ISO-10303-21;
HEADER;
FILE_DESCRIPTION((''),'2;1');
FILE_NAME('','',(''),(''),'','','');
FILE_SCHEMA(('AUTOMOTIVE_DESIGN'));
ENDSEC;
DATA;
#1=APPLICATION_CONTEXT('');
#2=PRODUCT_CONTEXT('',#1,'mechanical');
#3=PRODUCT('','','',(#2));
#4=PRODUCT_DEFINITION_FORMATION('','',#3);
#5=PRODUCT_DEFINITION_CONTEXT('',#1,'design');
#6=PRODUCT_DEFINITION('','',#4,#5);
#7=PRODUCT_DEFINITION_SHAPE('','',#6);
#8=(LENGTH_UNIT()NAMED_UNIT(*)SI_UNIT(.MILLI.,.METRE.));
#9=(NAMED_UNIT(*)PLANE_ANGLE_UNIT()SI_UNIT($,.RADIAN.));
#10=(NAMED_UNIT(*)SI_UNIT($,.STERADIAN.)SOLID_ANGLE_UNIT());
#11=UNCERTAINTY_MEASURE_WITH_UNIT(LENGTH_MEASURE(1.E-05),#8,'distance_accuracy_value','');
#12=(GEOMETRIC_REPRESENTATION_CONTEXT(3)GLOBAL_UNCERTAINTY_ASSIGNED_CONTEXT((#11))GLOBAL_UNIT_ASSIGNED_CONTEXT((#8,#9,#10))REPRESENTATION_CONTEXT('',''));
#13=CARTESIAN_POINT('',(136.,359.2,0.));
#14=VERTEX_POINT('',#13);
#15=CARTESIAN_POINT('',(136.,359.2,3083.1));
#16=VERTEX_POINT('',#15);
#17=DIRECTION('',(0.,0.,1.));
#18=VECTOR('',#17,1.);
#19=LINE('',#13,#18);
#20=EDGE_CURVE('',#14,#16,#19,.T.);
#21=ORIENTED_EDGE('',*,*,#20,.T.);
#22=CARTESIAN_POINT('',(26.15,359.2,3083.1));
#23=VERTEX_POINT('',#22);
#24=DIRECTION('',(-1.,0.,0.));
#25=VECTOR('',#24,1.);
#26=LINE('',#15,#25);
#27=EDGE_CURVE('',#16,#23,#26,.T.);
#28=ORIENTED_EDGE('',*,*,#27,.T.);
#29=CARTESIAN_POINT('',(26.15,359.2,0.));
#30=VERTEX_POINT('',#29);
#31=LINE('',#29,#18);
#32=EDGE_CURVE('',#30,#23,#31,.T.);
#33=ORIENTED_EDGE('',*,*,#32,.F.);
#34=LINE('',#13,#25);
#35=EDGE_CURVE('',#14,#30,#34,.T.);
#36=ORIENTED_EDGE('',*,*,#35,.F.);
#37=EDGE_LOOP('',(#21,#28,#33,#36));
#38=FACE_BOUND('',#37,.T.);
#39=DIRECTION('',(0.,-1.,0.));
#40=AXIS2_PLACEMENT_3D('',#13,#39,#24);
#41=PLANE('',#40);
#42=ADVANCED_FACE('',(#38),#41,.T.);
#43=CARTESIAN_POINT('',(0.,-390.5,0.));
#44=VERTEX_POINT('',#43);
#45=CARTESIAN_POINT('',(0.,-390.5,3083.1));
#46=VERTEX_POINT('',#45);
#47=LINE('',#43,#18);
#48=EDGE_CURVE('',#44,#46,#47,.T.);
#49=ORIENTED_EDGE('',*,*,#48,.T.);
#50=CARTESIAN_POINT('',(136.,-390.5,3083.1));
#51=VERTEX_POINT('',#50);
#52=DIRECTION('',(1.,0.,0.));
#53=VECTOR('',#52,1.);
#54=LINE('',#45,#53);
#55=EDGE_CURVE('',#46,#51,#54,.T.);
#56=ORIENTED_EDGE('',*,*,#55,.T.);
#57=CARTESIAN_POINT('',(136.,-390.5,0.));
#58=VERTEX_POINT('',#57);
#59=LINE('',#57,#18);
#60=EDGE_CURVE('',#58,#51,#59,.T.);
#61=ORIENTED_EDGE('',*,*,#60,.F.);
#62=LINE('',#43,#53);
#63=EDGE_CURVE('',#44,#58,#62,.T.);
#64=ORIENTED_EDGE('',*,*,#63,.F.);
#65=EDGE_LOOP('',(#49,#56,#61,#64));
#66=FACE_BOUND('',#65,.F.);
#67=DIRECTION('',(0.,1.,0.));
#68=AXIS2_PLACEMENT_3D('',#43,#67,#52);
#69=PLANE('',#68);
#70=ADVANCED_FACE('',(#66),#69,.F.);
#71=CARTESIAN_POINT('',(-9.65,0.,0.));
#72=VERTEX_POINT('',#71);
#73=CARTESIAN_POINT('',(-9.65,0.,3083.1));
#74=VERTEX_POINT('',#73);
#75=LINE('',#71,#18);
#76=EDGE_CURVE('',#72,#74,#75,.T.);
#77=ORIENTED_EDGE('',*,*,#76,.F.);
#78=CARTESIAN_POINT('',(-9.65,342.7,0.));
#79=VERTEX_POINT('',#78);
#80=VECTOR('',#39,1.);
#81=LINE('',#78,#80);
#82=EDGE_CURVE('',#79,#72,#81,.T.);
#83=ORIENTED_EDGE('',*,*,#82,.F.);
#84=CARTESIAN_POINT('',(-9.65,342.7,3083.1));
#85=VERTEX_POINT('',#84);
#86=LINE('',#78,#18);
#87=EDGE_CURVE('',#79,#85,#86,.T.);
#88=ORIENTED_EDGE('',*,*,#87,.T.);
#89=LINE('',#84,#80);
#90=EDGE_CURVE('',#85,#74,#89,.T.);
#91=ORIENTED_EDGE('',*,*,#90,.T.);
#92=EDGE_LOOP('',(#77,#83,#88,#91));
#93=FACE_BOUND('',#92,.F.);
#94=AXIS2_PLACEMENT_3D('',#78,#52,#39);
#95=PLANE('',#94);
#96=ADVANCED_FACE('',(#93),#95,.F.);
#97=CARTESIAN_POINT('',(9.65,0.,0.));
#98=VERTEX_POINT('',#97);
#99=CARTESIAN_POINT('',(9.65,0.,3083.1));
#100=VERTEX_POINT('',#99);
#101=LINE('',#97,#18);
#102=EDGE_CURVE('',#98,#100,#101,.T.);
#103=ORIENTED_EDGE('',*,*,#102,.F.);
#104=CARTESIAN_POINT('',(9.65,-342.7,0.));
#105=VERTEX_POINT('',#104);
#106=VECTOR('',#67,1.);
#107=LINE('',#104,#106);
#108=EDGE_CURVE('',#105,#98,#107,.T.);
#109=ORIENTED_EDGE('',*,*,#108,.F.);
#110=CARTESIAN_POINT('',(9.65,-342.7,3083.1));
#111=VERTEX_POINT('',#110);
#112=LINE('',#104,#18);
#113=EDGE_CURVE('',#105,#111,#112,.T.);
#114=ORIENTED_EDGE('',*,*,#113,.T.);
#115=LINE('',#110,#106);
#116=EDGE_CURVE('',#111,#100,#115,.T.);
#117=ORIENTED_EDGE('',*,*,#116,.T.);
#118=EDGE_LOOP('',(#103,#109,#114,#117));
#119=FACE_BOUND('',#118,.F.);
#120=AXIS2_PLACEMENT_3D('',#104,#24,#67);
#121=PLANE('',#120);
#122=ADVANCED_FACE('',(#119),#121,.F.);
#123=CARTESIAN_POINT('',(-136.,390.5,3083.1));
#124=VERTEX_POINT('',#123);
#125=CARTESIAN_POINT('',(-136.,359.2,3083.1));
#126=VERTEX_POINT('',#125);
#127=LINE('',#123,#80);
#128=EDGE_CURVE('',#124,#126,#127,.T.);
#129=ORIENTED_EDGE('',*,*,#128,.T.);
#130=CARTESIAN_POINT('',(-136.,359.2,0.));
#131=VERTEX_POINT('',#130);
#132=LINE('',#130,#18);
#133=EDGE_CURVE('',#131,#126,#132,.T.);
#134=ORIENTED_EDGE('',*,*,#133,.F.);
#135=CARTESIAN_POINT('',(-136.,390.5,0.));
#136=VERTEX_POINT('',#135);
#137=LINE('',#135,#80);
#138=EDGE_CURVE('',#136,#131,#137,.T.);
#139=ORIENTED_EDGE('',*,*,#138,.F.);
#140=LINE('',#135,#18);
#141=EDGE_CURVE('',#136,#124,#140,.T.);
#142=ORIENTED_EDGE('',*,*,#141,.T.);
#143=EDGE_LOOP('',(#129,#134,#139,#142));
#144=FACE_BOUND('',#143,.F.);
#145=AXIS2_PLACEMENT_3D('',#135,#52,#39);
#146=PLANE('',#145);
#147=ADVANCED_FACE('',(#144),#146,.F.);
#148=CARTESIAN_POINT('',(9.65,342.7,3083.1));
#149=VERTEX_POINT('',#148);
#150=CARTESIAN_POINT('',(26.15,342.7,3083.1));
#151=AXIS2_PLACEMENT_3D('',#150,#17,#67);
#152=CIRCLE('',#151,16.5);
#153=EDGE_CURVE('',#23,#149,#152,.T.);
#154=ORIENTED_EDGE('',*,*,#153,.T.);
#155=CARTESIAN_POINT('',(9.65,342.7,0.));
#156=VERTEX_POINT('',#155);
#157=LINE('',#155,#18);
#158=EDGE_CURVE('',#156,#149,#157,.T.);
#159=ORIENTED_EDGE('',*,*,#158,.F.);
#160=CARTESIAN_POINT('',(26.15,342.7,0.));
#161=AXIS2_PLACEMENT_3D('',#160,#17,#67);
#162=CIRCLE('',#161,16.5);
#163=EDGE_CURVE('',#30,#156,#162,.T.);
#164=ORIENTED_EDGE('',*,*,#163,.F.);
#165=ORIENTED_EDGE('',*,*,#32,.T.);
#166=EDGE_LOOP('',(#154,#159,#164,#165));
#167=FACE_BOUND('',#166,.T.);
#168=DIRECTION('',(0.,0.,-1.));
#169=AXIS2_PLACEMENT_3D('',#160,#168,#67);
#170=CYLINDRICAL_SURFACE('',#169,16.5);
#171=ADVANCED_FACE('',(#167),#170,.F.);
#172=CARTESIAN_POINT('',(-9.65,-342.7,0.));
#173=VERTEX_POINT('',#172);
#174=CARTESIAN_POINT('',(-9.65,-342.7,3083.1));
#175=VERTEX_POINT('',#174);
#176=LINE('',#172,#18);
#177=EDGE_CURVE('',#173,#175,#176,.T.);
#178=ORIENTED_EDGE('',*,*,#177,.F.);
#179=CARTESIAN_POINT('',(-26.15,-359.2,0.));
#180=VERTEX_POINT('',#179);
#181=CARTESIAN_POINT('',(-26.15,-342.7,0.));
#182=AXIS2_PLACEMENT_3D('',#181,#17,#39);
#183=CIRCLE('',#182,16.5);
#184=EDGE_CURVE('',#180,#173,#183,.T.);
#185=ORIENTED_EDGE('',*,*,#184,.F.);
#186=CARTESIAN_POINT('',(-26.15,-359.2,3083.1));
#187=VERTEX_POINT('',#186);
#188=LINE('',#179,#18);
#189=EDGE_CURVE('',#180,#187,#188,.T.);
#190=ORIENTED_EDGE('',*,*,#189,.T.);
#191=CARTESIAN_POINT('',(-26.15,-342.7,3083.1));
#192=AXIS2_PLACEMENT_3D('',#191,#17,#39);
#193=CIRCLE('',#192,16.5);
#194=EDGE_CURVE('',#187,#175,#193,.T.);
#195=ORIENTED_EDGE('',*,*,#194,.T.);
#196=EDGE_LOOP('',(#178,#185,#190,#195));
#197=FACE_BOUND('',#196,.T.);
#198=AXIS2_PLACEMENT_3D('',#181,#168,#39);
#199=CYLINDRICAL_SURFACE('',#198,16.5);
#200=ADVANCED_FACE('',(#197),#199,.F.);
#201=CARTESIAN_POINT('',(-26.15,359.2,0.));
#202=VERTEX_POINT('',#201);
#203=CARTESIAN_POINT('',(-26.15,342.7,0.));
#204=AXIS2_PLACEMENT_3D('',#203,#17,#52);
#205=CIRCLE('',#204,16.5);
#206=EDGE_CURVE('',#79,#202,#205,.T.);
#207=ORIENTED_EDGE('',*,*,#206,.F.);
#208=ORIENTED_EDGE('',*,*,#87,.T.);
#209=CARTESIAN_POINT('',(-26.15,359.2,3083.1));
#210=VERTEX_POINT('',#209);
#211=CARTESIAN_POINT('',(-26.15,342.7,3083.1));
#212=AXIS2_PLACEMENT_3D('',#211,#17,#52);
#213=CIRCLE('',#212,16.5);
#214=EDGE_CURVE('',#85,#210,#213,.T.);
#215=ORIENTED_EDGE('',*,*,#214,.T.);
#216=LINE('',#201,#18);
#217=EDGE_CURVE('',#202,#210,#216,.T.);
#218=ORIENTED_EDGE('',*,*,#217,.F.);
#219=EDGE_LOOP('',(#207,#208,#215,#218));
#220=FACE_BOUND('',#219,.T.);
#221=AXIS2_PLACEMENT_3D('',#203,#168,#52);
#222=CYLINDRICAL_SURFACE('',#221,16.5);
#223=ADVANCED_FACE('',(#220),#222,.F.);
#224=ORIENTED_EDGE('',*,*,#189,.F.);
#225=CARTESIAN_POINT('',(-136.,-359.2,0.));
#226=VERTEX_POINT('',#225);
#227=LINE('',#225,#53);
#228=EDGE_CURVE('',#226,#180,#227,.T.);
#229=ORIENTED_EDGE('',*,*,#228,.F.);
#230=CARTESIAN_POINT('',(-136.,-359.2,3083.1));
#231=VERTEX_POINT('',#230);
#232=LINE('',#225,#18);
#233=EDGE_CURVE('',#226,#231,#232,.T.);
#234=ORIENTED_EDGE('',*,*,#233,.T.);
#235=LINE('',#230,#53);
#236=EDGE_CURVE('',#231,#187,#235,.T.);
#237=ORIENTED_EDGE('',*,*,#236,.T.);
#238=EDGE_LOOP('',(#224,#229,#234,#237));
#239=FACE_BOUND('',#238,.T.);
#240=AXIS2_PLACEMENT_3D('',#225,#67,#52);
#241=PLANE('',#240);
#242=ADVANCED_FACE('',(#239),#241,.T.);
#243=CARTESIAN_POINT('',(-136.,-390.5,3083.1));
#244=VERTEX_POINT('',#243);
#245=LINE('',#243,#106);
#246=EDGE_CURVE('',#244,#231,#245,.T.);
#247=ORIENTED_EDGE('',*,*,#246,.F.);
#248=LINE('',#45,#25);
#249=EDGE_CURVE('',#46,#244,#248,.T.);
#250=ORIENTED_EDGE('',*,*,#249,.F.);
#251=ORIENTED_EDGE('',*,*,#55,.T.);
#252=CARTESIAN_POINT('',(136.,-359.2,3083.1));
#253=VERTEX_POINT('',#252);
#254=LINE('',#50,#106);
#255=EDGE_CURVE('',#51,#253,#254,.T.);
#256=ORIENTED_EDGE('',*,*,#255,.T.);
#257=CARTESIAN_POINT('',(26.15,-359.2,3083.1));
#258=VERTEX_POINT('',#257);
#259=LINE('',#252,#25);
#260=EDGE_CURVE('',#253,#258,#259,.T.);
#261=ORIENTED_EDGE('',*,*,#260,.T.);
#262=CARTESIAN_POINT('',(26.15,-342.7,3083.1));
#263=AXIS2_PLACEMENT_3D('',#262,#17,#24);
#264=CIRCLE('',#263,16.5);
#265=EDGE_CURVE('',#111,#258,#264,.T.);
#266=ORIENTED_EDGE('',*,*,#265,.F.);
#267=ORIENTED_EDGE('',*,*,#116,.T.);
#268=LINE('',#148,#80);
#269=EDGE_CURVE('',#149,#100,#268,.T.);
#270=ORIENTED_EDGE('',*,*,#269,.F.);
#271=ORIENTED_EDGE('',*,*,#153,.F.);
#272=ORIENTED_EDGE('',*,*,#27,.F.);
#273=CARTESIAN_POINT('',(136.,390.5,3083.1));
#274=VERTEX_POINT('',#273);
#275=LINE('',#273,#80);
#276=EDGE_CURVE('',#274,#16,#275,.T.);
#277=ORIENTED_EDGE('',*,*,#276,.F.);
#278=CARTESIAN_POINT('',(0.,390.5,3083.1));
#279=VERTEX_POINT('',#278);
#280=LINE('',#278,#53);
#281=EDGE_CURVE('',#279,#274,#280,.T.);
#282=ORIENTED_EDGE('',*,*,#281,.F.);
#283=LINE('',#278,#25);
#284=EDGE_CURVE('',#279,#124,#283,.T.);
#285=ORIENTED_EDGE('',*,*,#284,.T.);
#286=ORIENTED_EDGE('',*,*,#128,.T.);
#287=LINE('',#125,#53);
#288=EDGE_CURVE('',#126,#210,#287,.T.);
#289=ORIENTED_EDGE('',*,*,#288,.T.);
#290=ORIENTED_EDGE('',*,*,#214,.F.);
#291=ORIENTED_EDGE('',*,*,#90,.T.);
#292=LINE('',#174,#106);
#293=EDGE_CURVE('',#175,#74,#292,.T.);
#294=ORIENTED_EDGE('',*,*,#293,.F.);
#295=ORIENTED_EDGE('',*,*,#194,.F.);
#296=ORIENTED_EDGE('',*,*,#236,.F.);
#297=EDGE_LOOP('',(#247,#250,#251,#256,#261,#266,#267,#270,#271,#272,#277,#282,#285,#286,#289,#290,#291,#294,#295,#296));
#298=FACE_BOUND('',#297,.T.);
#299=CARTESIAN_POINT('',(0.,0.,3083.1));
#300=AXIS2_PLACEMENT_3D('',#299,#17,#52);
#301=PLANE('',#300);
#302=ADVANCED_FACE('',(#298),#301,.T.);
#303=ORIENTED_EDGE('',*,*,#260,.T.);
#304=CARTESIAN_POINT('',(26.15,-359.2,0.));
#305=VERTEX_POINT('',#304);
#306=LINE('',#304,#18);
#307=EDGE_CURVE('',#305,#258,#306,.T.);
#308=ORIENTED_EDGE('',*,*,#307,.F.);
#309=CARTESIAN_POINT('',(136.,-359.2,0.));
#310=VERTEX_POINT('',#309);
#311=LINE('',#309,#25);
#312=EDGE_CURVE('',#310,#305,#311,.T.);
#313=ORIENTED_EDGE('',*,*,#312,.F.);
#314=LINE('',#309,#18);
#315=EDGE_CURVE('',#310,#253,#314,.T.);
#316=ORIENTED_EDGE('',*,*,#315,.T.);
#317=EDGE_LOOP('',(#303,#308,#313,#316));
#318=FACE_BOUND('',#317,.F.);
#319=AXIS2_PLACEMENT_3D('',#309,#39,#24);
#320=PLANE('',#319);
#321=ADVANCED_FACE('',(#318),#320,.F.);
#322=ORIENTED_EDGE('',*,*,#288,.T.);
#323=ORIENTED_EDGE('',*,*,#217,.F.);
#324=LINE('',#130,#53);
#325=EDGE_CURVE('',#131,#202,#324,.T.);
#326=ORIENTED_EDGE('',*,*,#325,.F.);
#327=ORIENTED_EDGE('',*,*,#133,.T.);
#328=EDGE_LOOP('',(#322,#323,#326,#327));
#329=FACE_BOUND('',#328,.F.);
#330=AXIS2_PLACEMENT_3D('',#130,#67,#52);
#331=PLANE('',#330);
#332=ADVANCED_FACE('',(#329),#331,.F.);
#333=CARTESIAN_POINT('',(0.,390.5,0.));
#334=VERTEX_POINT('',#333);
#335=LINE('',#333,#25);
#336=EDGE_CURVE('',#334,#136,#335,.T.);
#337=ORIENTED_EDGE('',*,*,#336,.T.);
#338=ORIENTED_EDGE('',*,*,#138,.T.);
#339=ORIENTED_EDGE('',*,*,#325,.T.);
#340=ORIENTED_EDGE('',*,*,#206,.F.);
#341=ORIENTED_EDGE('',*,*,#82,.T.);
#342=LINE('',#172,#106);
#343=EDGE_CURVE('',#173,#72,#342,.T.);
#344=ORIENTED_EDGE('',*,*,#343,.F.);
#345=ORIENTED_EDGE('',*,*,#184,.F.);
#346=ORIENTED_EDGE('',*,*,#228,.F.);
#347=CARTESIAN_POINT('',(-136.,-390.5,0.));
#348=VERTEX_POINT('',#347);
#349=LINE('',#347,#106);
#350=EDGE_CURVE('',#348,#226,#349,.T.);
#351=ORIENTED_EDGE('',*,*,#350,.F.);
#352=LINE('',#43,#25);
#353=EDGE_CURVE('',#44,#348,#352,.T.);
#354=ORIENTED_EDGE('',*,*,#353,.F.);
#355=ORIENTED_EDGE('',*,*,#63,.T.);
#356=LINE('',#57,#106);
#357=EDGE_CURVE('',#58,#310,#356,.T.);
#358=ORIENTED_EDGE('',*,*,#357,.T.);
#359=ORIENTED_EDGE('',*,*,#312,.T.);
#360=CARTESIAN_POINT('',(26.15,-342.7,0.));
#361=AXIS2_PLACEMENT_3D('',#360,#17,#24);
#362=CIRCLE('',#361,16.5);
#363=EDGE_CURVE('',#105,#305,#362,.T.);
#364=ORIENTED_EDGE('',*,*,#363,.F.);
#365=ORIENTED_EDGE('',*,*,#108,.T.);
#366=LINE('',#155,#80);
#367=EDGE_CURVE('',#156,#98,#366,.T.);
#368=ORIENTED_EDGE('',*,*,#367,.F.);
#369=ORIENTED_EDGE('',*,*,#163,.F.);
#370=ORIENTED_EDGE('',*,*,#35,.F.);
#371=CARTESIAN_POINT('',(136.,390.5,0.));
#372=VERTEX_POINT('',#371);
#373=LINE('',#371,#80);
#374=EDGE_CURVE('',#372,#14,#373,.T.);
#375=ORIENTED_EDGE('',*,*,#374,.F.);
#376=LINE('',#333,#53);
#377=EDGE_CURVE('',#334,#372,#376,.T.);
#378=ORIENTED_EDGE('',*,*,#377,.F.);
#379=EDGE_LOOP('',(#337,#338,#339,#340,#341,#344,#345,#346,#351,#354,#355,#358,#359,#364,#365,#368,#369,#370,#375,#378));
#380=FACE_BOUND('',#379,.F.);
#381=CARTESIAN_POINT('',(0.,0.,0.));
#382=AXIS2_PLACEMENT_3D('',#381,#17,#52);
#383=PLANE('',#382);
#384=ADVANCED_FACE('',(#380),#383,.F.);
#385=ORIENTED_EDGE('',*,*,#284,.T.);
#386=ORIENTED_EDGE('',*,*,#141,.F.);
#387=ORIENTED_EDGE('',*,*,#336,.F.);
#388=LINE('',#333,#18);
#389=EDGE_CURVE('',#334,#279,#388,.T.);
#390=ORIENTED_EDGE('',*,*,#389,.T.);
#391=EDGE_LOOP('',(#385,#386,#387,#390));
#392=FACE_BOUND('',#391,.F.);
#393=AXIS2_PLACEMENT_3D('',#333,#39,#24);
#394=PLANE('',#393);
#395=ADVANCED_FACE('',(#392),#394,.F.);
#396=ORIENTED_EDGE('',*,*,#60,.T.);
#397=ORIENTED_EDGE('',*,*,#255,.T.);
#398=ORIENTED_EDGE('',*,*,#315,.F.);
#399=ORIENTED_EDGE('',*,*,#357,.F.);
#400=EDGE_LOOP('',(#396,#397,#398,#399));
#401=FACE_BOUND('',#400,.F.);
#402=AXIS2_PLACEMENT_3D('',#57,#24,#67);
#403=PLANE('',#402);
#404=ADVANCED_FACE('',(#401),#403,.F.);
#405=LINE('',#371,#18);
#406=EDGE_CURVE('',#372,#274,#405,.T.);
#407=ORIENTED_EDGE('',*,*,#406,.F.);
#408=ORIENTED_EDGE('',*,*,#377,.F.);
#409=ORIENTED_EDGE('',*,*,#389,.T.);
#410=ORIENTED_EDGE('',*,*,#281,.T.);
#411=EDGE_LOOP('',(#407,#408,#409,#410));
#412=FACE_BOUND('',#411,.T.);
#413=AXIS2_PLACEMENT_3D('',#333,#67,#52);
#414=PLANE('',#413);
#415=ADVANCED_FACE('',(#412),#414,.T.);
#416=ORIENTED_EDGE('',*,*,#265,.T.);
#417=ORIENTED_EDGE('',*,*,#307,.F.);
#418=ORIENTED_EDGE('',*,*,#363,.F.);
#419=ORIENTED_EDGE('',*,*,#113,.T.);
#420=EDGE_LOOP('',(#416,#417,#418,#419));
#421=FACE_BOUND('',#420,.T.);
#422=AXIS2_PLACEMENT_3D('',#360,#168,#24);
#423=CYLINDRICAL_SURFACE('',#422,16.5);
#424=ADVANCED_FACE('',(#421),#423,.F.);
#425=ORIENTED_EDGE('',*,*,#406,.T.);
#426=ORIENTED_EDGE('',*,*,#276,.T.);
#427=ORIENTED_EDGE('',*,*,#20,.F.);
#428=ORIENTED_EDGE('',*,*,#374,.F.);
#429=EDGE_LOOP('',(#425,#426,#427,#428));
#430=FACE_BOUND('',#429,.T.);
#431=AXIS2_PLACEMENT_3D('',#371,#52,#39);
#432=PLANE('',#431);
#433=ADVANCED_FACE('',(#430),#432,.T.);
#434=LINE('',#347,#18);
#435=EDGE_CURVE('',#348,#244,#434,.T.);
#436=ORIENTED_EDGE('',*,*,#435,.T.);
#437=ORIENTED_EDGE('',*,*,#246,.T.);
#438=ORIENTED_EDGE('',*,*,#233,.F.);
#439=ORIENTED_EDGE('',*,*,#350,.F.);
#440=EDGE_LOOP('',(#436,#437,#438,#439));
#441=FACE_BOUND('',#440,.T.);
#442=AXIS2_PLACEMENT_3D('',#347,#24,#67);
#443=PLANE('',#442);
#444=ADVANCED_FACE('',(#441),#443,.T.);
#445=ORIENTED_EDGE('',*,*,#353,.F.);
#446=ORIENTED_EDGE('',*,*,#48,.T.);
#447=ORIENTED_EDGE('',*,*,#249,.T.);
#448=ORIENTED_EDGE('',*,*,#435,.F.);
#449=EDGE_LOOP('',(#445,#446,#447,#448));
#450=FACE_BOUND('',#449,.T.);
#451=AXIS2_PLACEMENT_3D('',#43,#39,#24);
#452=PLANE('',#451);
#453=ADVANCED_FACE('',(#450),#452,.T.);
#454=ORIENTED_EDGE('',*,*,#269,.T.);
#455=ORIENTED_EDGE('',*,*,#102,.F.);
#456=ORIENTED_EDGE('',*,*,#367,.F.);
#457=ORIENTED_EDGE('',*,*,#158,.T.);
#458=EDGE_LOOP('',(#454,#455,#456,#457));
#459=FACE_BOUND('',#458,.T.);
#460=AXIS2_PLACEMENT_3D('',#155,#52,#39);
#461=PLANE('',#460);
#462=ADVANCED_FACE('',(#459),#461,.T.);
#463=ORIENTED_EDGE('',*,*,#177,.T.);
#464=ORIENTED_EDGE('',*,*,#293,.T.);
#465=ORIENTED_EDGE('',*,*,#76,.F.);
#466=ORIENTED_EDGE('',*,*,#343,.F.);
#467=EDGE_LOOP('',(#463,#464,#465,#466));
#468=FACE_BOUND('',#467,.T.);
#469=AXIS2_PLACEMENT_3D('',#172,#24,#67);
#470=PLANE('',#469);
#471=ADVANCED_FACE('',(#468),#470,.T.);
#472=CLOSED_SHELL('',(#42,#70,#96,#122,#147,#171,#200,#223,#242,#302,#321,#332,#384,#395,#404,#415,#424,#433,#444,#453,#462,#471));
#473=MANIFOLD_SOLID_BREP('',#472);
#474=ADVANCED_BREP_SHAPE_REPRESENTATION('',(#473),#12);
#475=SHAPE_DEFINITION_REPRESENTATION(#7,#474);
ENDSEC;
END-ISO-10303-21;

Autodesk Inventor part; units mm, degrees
ref_plane "YZ Plane" through (0, 0, 0) normal (1, 0, 0) x (0, 1, 0)
ref_plane "Start plane" through (0, 0, 0) normal (0, 0, 1) x (1, 0, 0)
ref_plane "End plane" through (0, 0, 3083.1) normal (0, 0, 1) x (1, 0, 0)
sketch "Sketch" plane through (0, 0, 0) normal (0, 0, 1) x (1, 0, 0)
  line L0 (-136, -390.5) -> (-136, -359.2)
  line L1 (-136, -359.2) -> (-26.15, -359.2)
  line L2 (-9.65, -342.7) -> (-9.65, 0)
  line L3 (-9.65, 0) -> (0, 0) construction
  line L4 (0, 0) -> (0, -390.5) construction
  line L5 (0, -390.5) -> (-136, -390.5)
  line L6 (-60, 0) -> (80, 0) construction
  line L7 (0, -60) -> (0, 80) construction
  line L8 (136, -390.5) -> (136, -359.2)
  line L9 (136, -359.2) -> (26.15, -359.2)
  line L10 (9.65, -342.7) -> (9.65, 0)
  line L11 (9.65, 0) -> (0, 0) construction
  line L12 (0, -390.5) -> (136, -390.5)
  line L13 (-136, 390.5) -> (-136, 359.2)
  line L14 (-136, 359.2) -> (-26.15, 359.2)
  line L15 (-9.65, 342.7) -> (-9.65, 0)
  line L16 (0, 390.5) -> (-136, 390.5)
  line L17 (136, 390.5) -> (136, 359.2)
  line L18 (136, 359.2) -> (26.15, 359.2)
  line L19 (0, 390.5) -> (136, 390.5)
  line L20 (9.65, 342.7) -> (9.65, 0)
  arc A0 (-9.65, 342.7) -> (-26.15, 359.2) centre (-26.15, 342.7) ccw
  arc A1 (26.15, 359.2) -> (9.65, 342.7) centre (26.15, 342.7) ccw
  arc A2 (9.65, -342.7) -> (26.15, -359.2) centre (26.15, -342.7) ccw
  arc A3 (-26.15, -359.2) -> (-9.65, -342.7) centre (-26.15, -342.7) ccw
  line L21 (0, 108) -> (0, -88) construction
  line L22 (-88, 0) -> (108, 0) construction
  point P0 (-9.65, -359.2)
  point P1 (9.65, -359.2)
  point P2 (-9.65, 359.2)
  point P3 (9.65, 359.2)
  dimension "d1" = 390.5
  dimension "d2" = 31.3
  dimension "d3" = 136
  dimension "d4" = 9.65
  dimension "d10" = 16.5
extrude "Body" add sketch "Sketch" along normal up to surface (3083.1 mm away) from surface at 0
sketch "Sketch4" plane through (0, 0, 0) normal (0, 0, 1) x (1, 0, 0)
  line L0 (0, 0) -> (10, 0)
ref_plane "Work Plane3" through (0, 0, 0) normal (0, -1, 0) x (1, 0, 0)
sketch "Sketch5" plane through (0, 0, 0) normal (0, -1, 0) x (1, 0, 0)
  line L0 (-2, 0) -> (12, 0) projected
  line L1 (-2, 3083.1) -> (12, 3083.1) projected
  dimension "d14" = 3083.1
equation "\"d1\" = 0.5 * G_H"
equation "\"d2\" = G_T1"
equation "\"d3\" = 0.5 * G_W"
equation "\"d4\" = 0.5 * G_T"
equation "\"d10\" = G_IR"
equation "\"d5\" = G_L"
equation "\"G_W\" = 272"
equation "\"G_H\" = 781"
equation "\"G_T\" = 19.3"
equation "\"G_T1\" = 31.3"
equation "\"G_IR\" = 16.5"
equation "\"G_L\" = d14"
equation "\"G_OFFSET_START\" = 0"
equation "\"G_OFFSET_END\" = 0"
equation "\"d12\" = G_OFFSET_END + B_L"
equation "\"B_L\" = 3083.1"
properties part number "AS 3679-1990 - 760 UB - 244 - 3083.1" material "Steel, Mild"
